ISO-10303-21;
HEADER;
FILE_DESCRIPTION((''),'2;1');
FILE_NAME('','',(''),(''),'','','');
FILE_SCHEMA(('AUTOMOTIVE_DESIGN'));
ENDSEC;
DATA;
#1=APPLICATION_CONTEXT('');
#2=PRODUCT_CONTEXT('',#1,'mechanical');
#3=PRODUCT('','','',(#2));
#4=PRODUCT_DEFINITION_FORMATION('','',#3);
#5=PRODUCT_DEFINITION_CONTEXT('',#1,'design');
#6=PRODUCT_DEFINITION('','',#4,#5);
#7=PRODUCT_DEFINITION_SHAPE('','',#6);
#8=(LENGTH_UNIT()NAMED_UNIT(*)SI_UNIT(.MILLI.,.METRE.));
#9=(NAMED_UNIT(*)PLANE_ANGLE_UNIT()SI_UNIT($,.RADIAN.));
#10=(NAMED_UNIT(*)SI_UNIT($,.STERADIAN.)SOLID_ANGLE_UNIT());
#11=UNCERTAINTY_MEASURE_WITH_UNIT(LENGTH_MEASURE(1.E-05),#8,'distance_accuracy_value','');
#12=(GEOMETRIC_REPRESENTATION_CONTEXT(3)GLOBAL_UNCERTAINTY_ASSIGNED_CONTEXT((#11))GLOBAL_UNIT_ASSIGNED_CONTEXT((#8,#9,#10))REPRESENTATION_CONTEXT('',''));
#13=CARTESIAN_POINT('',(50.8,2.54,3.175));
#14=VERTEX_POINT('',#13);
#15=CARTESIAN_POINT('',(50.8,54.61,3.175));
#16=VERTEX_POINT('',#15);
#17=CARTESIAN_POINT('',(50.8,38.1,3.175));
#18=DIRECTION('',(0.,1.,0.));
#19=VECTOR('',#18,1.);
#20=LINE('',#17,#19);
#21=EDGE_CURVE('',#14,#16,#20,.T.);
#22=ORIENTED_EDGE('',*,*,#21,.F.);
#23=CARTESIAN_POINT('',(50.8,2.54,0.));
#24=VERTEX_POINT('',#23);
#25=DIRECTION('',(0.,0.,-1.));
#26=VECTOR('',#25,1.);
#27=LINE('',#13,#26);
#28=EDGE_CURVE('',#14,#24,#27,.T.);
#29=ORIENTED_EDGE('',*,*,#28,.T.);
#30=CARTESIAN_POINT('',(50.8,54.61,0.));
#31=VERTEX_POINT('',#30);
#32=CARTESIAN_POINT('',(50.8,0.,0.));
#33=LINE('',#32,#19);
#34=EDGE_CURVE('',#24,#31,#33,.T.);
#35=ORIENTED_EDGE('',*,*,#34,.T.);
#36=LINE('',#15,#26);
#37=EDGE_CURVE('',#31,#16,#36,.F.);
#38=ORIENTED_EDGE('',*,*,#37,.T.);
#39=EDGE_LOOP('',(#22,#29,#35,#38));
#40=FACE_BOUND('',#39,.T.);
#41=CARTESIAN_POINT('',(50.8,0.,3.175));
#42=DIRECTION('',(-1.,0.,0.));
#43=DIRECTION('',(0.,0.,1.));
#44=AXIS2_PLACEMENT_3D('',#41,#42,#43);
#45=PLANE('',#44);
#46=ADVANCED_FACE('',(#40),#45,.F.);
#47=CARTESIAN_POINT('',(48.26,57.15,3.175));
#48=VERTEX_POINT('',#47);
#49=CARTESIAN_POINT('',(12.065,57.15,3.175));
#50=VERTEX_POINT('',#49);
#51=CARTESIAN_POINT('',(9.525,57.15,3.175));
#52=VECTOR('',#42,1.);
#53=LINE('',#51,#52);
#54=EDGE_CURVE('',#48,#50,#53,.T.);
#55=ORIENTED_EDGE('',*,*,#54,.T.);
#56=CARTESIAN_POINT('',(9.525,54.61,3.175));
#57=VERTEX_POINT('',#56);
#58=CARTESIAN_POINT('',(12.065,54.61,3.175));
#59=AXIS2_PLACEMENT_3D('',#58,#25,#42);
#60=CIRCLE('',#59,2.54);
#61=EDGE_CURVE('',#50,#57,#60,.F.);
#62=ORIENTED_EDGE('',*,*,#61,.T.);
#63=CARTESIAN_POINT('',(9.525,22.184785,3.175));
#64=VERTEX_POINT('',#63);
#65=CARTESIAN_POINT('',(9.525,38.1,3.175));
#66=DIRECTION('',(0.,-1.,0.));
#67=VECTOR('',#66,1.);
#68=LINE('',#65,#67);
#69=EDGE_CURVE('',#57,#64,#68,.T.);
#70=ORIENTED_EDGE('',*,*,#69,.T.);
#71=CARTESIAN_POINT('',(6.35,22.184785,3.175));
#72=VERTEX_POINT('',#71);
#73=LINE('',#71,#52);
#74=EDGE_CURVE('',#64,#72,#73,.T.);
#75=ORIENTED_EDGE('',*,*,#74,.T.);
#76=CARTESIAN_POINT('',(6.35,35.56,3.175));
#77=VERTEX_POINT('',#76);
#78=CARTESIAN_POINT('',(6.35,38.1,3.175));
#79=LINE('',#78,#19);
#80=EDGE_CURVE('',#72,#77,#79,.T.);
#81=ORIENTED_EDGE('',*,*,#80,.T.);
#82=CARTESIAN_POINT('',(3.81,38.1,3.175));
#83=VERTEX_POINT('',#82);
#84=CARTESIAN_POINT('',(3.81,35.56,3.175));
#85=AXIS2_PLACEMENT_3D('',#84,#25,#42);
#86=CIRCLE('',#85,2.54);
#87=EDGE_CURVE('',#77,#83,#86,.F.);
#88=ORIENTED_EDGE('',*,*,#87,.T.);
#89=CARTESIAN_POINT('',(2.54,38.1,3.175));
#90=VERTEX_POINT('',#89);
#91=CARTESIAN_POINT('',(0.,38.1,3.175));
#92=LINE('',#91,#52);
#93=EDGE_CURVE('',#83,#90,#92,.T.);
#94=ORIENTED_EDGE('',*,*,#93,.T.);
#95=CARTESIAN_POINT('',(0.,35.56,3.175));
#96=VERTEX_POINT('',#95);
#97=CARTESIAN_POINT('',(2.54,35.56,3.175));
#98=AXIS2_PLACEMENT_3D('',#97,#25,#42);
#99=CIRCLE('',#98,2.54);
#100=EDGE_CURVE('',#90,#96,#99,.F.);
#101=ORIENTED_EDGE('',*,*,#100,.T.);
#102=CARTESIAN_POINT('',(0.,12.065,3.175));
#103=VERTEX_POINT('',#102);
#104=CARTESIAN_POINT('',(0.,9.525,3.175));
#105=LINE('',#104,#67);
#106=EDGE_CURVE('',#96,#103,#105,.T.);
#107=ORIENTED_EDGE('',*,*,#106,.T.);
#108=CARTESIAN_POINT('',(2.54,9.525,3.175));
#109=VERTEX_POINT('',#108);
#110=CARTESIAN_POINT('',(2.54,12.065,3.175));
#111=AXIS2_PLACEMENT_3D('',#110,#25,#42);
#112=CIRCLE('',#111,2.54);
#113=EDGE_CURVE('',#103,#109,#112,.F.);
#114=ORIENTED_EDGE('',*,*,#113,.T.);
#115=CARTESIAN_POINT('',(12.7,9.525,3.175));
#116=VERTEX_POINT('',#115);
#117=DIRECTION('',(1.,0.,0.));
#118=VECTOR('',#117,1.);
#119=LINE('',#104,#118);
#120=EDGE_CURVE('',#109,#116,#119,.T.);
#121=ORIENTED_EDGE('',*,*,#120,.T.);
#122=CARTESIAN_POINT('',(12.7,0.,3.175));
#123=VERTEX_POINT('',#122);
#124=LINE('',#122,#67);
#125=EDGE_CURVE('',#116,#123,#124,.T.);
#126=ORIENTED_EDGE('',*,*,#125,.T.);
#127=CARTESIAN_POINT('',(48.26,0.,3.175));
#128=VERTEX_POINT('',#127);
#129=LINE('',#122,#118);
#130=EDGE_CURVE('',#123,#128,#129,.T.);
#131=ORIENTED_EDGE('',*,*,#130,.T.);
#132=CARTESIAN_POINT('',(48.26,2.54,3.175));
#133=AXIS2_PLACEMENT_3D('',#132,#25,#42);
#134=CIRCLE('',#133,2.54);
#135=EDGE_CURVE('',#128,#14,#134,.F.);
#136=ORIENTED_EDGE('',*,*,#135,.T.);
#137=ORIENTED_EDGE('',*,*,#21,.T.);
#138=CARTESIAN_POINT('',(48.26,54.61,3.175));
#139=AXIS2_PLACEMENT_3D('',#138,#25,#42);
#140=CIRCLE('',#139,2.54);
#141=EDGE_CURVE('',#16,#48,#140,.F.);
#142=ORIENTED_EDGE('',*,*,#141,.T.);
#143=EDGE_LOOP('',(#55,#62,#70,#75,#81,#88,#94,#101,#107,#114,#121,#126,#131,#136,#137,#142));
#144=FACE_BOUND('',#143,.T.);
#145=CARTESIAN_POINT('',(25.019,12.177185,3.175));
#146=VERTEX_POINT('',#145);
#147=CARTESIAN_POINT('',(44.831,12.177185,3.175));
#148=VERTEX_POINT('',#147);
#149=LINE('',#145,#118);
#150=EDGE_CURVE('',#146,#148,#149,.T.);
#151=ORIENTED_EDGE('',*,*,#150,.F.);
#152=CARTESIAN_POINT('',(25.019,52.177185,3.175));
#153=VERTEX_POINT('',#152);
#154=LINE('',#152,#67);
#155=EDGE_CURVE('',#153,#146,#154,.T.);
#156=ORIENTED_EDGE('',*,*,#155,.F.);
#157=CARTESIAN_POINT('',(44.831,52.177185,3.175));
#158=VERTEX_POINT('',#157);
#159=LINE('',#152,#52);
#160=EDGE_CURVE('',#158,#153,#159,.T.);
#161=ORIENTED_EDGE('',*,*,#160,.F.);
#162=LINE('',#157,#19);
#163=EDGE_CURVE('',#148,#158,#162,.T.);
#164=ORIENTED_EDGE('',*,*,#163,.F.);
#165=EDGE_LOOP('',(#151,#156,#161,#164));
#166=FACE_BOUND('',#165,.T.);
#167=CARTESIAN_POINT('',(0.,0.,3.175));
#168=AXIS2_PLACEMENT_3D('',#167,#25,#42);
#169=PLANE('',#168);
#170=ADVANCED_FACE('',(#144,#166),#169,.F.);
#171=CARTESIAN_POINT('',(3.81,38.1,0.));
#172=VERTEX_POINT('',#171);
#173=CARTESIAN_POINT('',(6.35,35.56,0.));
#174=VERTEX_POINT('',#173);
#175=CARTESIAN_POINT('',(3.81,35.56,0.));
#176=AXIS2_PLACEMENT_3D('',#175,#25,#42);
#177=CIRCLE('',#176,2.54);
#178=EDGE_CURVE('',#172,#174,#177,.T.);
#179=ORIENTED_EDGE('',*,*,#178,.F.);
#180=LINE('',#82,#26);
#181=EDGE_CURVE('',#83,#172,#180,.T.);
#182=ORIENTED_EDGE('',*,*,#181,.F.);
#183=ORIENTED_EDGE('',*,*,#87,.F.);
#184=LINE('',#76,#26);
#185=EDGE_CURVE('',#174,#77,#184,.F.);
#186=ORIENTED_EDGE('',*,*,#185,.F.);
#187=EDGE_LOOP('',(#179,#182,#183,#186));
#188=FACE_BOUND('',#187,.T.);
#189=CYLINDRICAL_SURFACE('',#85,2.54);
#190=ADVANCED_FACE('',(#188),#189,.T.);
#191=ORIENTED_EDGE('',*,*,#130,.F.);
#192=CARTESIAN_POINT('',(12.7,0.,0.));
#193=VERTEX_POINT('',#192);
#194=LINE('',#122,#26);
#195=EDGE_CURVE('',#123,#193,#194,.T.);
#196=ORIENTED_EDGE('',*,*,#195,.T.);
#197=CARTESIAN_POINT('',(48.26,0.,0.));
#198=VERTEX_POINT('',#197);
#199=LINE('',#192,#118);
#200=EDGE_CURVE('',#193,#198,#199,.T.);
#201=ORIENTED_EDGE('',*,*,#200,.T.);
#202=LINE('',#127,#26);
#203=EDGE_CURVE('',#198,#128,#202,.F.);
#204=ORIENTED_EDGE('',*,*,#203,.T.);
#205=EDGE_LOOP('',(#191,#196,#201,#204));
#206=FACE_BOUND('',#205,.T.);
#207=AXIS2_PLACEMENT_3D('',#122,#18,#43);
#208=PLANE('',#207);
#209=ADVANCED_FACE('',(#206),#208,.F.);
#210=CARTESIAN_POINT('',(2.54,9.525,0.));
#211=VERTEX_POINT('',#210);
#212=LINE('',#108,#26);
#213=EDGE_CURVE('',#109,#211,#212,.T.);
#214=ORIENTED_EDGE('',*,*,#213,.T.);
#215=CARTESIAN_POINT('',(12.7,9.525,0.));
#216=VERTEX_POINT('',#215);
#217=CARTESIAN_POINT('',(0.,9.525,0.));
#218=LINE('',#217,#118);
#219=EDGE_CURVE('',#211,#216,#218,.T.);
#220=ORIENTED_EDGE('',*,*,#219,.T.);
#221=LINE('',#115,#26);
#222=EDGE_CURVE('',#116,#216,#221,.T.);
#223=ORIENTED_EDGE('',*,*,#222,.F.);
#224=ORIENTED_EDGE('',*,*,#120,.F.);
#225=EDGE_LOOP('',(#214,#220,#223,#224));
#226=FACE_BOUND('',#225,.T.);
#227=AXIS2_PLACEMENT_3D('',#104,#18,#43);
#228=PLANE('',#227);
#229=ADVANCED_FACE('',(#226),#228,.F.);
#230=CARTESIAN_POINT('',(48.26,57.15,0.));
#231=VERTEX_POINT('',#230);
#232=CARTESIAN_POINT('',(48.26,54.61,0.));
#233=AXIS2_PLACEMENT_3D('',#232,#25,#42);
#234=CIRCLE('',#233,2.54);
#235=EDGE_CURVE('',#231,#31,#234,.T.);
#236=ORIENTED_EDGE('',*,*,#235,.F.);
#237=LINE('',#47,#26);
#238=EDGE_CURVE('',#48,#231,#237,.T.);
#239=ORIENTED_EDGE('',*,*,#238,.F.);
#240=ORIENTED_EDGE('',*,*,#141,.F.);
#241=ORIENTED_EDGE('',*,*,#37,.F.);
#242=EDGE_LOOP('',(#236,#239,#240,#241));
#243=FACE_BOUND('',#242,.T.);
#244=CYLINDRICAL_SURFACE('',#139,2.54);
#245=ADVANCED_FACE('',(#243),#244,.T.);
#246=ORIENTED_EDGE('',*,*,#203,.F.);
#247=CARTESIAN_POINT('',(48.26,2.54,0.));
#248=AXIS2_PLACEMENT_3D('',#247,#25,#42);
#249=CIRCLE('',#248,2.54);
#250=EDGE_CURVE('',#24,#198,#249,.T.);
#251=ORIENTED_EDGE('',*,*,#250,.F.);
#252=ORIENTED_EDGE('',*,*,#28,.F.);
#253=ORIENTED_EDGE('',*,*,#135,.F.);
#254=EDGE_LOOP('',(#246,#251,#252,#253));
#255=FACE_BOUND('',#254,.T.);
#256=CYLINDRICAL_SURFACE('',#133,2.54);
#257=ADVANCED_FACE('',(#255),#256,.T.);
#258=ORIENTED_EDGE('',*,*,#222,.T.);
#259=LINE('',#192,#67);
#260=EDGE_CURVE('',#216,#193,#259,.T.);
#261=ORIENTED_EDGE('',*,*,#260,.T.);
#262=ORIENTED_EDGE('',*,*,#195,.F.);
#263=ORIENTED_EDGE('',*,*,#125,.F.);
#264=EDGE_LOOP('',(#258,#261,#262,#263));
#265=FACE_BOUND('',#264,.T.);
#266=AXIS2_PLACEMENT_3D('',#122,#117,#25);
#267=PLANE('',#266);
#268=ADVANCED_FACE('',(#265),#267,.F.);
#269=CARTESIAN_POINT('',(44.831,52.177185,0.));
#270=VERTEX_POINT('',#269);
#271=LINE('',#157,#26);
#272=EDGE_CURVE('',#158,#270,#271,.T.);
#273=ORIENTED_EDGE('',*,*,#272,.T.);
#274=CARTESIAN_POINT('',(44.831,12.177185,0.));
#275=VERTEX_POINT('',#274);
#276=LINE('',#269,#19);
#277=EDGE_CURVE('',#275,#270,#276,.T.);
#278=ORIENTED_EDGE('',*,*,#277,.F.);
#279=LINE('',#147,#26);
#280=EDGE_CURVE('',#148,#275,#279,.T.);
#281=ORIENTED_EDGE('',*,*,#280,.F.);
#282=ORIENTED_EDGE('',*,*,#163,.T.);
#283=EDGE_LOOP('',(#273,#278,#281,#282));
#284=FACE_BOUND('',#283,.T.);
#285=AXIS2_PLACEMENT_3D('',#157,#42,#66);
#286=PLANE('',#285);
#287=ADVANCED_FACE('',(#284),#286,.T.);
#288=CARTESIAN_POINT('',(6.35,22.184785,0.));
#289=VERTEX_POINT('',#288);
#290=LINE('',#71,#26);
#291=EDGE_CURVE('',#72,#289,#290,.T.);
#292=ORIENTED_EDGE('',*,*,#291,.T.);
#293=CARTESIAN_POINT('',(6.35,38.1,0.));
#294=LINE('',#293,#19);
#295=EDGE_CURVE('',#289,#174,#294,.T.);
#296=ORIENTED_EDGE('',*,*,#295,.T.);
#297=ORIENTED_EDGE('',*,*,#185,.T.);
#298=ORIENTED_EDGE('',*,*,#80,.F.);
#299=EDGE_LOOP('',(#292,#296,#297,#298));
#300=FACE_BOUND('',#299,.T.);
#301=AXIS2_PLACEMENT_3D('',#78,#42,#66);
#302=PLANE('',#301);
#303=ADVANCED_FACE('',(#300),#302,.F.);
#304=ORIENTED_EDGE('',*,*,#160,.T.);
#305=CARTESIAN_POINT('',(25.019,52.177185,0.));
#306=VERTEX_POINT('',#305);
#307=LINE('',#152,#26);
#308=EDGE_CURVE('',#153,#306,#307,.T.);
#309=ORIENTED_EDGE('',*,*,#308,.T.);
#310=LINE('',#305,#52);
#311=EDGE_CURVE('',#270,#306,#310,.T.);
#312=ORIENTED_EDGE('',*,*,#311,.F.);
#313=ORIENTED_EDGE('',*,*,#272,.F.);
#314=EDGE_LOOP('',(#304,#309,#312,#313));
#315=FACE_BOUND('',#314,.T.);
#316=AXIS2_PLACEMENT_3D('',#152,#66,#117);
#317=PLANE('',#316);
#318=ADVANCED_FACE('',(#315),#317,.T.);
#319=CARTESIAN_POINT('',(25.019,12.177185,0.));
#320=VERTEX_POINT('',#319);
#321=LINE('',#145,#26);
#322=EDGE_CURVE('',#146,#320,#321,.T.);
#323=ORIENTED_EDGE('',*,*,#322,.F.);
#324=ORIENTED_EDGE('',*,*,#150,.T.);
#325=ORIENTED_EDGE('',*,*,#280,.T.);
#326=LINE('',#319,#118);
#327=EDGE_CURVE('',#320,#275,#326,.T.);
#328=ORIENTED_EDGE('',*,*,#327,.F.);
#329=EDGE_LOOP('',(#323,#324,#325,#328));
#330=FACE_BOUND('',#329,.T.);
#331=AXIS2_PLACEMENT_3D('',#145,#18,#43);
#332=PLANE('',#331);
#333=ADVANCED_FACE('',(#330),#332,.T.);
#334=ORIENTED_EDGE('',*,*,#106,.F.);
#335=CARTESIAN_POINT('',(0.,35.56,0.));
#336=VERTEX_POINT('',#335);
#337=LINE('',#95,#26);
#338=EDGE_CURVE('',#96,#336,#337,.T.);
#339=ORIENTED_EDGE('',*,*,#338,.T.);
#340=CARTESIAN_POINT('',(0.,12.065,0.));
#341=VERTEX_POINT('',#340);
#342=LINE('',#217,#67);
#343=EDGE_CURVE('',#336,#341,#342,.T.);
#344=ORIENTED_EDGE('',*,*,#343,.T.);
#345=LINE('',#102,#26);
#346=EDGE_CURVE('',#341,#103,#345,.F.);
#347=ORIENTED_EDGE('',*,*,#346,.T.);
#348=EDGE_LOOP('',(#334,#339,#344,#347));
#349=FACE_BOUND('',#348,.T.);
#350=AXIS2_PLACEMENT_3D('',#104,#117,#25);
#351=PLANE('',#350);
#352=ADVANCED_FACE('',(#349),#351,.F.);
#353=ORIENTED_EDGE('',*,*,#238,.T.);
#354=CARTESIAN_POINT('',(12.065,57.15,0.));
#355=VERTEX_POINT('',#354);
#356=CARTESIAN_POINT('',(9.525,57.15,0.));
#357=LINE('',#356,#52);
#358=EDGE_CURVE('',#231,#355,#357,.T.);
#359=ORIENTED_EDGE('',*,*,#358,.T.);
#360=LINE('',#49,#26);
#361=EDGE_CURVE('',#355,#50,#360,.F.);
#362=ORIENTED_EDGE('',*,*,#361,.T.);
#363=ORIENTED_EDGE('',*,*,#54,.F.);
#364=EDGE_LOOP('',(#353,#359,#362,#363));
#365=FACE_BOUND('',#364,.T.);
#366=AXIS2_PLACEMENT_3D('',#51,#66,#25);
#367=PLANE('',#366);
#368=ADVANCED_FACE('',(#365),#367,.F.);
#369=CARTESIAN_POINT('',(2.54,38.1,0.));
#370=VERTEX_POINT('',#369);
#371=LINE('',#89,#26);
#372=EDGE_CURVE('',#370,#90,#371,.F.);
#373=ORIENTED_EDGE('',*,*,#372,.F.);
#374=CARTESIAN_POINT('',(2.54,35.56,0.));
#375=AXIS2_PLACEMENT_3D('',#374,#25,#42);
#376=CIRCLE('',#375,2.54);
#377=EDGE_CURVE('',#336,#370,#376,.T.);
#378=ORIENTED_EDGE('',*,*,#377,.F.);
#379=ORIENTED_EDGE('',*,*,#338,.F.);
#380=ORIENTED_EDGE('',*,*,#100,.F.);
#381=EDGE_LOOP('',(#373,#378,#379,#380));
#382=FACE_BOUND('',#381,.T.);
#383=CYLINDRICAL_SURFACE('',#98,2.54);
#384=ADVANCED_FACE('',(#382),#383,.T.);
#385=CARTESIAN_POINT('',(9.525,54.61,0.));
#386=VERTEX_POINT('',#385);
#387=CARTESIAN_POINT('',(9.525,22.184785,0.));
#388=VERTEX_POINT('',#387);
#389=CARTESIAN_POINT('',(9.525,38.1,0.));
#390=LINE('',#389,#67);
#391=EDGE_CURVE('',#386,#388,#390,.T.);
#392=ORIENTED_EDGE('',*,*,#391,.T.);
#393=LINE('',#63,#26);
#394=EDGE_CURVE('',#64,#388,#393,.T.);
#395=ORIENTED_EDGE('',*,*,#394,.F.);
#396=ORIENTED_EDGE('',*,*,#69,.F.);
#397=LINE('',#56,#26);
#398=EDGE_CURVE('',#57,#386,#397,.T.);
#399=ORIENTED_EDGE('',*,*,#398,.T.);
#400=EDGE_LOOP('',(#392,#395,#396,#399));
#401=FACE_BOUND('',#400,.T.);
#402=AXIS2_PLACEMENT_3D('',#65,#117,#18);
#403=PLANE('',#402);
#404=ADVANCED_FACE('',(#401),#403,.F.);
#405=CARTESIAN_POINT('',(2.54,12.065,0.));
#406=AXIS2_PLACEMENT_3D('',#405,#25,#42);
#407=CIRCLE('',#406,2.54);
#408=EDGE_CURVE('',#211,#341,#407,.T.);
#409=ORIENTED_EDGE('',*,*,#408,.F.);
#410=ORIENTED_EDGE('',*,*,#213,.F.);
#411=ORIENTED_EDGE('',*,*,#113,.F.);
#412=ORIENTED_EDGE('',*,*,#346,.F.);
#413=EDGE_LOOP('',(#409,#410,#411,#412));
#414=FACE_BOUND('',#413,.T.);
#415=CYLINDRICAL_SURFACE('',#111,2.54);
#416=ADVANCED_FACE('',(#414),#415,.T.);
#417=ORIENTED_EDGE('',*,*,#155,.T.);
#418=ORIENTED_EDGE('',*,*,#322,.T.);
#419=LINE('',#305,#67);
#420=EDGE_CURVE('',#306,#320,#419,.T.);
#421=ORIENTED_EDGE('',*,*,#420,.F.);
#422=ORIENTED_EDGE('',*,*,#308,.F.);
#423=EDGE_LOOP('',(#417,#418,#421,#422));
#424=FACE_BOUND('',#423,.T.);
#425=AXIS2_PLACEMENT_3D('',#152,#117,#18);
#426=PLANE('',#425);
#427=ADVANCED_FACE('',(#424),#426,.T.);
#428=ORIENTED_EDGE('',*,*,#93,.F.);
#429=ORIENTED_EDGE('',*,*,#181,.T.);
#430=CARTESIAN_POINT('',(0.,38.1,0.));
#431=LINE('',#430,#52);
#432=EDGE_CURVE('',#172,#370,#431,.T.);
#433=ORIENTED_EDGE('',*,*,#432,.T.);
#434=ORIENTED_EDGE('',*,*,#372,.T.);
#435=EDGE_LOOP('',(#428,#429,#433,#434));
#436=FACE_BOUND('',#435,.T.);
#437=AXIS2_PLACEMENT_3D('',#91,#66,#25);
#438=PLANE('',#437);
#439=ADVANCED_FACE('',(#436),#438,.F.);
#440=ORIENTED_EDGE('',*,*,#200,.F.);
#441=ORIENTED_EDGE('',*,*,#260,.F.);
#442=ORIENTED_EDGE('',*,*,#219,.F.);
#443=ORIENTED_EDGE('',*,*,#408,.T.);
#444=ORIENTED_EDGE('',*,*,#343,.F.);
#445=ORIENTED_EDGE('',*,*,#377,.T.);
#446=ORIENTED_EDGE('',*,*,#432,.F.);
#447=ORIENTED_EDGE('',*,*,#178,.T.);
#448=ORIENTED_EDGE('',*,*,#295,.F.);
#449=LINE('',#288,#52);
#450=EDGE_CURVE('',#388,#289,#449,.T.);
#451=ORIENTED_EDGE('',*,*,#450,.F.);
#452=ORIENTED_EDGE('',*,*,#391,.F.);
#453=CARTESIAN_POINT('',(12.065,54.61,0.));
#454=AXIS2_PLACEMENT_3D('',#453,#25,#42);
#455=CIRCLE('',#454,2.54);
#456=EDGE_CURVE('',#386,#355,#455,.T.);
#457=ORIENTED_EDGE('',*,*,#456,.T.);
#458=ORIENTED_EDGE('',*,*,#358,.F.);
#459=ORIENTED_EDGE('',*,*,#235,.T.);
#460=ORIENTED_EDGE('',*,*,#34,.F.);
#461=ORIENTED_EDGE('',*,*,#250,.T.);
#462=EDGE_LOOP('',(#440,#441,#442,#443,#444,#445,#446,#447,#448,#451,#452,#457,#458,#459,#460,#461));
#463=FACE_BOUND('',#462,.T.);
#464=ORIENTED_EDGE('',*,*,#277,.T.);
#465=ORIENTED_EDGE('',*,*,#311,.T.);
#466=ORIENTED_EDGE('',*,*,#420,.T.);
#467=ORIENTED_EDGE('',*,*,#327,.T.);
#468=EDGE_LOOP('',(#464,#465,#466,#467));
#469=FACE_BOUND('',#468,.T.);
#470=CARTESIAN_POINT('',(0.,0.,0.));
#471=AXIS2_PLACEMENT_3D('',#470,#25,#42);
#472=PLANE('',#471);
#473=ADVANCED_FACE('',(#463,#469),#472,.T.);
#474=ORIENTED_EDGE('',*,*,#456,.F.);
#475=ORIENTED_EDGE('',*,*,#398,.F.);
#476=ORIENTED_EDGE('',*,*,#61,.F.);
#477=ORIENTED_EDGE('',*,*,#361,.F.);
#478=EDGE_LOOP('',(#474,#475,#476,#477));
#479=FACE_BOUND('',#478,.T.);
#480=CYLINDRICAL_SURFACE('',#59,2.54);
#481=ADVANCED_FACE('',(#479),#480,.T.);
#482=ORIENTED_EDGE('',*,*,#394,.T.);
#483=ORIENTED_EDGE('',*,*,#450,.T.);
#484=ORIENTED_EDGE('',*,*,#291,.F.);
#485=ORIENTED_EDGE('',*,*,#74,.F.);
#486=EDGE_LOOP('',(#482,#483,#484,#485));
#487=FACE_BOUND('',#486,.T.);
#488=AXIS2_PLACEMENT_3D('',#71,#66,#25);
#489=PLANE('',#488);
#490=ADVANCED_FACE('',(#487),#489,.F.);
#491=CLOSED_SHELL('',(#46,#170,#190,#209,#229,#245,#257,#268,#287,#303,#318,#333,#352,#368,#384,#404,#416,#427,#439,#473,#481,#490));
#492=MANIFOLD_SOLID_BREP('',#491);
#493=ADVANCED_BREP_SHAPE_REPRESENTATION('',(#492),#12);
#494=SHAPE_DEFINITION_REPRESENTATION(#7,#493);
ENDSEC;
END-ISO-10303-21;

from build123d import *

# Parameters (mm, degrees)
SKETCH1_W           = 19.812
SKETCH1_H           = 40
BOSS_EXTRUDE1_DEPTH = 3.175
FILLET2_R           = 2.54


with BuildPart() as part:
    # Sketch1 → Boss-Extrude1 (new body)
    with BuildSketch(Plane.XY):
        Polygon((12.7, 0), (50.8, 0), (50.8, 38.1), (50.8, 57.15), (9.525, 57.15), (9.525, 38.1), (9.525, 22.184785263), (6.35, 22.184785263), (6.35, 38.1), (0, 38.1), (0, 9.525), (12.7, 9.525), align=None)
        with Locations((34.925, 32.177185263)):
            Rectangle(SKETCH1_W, SKETCH1_H, mode=Mode.SUBTRACT)
    extrude(amount=BOSS_EXTRUDE1_DEPTH)

    # Fillet2
    fillet2_edges = [part.edges().sort_by_distance(p)[0] for p in [
        (50.8, 0, 1.5875),
        (0, 9.525, 1.5875),
        (0, 38.1, 1.5875),
        (6.35, 38.1, 1.5875),
        (9.525, 57.15, 1.5875),
        (50.8, 57.15, 1.5875),
    ]]
    fillet(fillet2_edges, radius=FILLET2_R)


solid = part.part
